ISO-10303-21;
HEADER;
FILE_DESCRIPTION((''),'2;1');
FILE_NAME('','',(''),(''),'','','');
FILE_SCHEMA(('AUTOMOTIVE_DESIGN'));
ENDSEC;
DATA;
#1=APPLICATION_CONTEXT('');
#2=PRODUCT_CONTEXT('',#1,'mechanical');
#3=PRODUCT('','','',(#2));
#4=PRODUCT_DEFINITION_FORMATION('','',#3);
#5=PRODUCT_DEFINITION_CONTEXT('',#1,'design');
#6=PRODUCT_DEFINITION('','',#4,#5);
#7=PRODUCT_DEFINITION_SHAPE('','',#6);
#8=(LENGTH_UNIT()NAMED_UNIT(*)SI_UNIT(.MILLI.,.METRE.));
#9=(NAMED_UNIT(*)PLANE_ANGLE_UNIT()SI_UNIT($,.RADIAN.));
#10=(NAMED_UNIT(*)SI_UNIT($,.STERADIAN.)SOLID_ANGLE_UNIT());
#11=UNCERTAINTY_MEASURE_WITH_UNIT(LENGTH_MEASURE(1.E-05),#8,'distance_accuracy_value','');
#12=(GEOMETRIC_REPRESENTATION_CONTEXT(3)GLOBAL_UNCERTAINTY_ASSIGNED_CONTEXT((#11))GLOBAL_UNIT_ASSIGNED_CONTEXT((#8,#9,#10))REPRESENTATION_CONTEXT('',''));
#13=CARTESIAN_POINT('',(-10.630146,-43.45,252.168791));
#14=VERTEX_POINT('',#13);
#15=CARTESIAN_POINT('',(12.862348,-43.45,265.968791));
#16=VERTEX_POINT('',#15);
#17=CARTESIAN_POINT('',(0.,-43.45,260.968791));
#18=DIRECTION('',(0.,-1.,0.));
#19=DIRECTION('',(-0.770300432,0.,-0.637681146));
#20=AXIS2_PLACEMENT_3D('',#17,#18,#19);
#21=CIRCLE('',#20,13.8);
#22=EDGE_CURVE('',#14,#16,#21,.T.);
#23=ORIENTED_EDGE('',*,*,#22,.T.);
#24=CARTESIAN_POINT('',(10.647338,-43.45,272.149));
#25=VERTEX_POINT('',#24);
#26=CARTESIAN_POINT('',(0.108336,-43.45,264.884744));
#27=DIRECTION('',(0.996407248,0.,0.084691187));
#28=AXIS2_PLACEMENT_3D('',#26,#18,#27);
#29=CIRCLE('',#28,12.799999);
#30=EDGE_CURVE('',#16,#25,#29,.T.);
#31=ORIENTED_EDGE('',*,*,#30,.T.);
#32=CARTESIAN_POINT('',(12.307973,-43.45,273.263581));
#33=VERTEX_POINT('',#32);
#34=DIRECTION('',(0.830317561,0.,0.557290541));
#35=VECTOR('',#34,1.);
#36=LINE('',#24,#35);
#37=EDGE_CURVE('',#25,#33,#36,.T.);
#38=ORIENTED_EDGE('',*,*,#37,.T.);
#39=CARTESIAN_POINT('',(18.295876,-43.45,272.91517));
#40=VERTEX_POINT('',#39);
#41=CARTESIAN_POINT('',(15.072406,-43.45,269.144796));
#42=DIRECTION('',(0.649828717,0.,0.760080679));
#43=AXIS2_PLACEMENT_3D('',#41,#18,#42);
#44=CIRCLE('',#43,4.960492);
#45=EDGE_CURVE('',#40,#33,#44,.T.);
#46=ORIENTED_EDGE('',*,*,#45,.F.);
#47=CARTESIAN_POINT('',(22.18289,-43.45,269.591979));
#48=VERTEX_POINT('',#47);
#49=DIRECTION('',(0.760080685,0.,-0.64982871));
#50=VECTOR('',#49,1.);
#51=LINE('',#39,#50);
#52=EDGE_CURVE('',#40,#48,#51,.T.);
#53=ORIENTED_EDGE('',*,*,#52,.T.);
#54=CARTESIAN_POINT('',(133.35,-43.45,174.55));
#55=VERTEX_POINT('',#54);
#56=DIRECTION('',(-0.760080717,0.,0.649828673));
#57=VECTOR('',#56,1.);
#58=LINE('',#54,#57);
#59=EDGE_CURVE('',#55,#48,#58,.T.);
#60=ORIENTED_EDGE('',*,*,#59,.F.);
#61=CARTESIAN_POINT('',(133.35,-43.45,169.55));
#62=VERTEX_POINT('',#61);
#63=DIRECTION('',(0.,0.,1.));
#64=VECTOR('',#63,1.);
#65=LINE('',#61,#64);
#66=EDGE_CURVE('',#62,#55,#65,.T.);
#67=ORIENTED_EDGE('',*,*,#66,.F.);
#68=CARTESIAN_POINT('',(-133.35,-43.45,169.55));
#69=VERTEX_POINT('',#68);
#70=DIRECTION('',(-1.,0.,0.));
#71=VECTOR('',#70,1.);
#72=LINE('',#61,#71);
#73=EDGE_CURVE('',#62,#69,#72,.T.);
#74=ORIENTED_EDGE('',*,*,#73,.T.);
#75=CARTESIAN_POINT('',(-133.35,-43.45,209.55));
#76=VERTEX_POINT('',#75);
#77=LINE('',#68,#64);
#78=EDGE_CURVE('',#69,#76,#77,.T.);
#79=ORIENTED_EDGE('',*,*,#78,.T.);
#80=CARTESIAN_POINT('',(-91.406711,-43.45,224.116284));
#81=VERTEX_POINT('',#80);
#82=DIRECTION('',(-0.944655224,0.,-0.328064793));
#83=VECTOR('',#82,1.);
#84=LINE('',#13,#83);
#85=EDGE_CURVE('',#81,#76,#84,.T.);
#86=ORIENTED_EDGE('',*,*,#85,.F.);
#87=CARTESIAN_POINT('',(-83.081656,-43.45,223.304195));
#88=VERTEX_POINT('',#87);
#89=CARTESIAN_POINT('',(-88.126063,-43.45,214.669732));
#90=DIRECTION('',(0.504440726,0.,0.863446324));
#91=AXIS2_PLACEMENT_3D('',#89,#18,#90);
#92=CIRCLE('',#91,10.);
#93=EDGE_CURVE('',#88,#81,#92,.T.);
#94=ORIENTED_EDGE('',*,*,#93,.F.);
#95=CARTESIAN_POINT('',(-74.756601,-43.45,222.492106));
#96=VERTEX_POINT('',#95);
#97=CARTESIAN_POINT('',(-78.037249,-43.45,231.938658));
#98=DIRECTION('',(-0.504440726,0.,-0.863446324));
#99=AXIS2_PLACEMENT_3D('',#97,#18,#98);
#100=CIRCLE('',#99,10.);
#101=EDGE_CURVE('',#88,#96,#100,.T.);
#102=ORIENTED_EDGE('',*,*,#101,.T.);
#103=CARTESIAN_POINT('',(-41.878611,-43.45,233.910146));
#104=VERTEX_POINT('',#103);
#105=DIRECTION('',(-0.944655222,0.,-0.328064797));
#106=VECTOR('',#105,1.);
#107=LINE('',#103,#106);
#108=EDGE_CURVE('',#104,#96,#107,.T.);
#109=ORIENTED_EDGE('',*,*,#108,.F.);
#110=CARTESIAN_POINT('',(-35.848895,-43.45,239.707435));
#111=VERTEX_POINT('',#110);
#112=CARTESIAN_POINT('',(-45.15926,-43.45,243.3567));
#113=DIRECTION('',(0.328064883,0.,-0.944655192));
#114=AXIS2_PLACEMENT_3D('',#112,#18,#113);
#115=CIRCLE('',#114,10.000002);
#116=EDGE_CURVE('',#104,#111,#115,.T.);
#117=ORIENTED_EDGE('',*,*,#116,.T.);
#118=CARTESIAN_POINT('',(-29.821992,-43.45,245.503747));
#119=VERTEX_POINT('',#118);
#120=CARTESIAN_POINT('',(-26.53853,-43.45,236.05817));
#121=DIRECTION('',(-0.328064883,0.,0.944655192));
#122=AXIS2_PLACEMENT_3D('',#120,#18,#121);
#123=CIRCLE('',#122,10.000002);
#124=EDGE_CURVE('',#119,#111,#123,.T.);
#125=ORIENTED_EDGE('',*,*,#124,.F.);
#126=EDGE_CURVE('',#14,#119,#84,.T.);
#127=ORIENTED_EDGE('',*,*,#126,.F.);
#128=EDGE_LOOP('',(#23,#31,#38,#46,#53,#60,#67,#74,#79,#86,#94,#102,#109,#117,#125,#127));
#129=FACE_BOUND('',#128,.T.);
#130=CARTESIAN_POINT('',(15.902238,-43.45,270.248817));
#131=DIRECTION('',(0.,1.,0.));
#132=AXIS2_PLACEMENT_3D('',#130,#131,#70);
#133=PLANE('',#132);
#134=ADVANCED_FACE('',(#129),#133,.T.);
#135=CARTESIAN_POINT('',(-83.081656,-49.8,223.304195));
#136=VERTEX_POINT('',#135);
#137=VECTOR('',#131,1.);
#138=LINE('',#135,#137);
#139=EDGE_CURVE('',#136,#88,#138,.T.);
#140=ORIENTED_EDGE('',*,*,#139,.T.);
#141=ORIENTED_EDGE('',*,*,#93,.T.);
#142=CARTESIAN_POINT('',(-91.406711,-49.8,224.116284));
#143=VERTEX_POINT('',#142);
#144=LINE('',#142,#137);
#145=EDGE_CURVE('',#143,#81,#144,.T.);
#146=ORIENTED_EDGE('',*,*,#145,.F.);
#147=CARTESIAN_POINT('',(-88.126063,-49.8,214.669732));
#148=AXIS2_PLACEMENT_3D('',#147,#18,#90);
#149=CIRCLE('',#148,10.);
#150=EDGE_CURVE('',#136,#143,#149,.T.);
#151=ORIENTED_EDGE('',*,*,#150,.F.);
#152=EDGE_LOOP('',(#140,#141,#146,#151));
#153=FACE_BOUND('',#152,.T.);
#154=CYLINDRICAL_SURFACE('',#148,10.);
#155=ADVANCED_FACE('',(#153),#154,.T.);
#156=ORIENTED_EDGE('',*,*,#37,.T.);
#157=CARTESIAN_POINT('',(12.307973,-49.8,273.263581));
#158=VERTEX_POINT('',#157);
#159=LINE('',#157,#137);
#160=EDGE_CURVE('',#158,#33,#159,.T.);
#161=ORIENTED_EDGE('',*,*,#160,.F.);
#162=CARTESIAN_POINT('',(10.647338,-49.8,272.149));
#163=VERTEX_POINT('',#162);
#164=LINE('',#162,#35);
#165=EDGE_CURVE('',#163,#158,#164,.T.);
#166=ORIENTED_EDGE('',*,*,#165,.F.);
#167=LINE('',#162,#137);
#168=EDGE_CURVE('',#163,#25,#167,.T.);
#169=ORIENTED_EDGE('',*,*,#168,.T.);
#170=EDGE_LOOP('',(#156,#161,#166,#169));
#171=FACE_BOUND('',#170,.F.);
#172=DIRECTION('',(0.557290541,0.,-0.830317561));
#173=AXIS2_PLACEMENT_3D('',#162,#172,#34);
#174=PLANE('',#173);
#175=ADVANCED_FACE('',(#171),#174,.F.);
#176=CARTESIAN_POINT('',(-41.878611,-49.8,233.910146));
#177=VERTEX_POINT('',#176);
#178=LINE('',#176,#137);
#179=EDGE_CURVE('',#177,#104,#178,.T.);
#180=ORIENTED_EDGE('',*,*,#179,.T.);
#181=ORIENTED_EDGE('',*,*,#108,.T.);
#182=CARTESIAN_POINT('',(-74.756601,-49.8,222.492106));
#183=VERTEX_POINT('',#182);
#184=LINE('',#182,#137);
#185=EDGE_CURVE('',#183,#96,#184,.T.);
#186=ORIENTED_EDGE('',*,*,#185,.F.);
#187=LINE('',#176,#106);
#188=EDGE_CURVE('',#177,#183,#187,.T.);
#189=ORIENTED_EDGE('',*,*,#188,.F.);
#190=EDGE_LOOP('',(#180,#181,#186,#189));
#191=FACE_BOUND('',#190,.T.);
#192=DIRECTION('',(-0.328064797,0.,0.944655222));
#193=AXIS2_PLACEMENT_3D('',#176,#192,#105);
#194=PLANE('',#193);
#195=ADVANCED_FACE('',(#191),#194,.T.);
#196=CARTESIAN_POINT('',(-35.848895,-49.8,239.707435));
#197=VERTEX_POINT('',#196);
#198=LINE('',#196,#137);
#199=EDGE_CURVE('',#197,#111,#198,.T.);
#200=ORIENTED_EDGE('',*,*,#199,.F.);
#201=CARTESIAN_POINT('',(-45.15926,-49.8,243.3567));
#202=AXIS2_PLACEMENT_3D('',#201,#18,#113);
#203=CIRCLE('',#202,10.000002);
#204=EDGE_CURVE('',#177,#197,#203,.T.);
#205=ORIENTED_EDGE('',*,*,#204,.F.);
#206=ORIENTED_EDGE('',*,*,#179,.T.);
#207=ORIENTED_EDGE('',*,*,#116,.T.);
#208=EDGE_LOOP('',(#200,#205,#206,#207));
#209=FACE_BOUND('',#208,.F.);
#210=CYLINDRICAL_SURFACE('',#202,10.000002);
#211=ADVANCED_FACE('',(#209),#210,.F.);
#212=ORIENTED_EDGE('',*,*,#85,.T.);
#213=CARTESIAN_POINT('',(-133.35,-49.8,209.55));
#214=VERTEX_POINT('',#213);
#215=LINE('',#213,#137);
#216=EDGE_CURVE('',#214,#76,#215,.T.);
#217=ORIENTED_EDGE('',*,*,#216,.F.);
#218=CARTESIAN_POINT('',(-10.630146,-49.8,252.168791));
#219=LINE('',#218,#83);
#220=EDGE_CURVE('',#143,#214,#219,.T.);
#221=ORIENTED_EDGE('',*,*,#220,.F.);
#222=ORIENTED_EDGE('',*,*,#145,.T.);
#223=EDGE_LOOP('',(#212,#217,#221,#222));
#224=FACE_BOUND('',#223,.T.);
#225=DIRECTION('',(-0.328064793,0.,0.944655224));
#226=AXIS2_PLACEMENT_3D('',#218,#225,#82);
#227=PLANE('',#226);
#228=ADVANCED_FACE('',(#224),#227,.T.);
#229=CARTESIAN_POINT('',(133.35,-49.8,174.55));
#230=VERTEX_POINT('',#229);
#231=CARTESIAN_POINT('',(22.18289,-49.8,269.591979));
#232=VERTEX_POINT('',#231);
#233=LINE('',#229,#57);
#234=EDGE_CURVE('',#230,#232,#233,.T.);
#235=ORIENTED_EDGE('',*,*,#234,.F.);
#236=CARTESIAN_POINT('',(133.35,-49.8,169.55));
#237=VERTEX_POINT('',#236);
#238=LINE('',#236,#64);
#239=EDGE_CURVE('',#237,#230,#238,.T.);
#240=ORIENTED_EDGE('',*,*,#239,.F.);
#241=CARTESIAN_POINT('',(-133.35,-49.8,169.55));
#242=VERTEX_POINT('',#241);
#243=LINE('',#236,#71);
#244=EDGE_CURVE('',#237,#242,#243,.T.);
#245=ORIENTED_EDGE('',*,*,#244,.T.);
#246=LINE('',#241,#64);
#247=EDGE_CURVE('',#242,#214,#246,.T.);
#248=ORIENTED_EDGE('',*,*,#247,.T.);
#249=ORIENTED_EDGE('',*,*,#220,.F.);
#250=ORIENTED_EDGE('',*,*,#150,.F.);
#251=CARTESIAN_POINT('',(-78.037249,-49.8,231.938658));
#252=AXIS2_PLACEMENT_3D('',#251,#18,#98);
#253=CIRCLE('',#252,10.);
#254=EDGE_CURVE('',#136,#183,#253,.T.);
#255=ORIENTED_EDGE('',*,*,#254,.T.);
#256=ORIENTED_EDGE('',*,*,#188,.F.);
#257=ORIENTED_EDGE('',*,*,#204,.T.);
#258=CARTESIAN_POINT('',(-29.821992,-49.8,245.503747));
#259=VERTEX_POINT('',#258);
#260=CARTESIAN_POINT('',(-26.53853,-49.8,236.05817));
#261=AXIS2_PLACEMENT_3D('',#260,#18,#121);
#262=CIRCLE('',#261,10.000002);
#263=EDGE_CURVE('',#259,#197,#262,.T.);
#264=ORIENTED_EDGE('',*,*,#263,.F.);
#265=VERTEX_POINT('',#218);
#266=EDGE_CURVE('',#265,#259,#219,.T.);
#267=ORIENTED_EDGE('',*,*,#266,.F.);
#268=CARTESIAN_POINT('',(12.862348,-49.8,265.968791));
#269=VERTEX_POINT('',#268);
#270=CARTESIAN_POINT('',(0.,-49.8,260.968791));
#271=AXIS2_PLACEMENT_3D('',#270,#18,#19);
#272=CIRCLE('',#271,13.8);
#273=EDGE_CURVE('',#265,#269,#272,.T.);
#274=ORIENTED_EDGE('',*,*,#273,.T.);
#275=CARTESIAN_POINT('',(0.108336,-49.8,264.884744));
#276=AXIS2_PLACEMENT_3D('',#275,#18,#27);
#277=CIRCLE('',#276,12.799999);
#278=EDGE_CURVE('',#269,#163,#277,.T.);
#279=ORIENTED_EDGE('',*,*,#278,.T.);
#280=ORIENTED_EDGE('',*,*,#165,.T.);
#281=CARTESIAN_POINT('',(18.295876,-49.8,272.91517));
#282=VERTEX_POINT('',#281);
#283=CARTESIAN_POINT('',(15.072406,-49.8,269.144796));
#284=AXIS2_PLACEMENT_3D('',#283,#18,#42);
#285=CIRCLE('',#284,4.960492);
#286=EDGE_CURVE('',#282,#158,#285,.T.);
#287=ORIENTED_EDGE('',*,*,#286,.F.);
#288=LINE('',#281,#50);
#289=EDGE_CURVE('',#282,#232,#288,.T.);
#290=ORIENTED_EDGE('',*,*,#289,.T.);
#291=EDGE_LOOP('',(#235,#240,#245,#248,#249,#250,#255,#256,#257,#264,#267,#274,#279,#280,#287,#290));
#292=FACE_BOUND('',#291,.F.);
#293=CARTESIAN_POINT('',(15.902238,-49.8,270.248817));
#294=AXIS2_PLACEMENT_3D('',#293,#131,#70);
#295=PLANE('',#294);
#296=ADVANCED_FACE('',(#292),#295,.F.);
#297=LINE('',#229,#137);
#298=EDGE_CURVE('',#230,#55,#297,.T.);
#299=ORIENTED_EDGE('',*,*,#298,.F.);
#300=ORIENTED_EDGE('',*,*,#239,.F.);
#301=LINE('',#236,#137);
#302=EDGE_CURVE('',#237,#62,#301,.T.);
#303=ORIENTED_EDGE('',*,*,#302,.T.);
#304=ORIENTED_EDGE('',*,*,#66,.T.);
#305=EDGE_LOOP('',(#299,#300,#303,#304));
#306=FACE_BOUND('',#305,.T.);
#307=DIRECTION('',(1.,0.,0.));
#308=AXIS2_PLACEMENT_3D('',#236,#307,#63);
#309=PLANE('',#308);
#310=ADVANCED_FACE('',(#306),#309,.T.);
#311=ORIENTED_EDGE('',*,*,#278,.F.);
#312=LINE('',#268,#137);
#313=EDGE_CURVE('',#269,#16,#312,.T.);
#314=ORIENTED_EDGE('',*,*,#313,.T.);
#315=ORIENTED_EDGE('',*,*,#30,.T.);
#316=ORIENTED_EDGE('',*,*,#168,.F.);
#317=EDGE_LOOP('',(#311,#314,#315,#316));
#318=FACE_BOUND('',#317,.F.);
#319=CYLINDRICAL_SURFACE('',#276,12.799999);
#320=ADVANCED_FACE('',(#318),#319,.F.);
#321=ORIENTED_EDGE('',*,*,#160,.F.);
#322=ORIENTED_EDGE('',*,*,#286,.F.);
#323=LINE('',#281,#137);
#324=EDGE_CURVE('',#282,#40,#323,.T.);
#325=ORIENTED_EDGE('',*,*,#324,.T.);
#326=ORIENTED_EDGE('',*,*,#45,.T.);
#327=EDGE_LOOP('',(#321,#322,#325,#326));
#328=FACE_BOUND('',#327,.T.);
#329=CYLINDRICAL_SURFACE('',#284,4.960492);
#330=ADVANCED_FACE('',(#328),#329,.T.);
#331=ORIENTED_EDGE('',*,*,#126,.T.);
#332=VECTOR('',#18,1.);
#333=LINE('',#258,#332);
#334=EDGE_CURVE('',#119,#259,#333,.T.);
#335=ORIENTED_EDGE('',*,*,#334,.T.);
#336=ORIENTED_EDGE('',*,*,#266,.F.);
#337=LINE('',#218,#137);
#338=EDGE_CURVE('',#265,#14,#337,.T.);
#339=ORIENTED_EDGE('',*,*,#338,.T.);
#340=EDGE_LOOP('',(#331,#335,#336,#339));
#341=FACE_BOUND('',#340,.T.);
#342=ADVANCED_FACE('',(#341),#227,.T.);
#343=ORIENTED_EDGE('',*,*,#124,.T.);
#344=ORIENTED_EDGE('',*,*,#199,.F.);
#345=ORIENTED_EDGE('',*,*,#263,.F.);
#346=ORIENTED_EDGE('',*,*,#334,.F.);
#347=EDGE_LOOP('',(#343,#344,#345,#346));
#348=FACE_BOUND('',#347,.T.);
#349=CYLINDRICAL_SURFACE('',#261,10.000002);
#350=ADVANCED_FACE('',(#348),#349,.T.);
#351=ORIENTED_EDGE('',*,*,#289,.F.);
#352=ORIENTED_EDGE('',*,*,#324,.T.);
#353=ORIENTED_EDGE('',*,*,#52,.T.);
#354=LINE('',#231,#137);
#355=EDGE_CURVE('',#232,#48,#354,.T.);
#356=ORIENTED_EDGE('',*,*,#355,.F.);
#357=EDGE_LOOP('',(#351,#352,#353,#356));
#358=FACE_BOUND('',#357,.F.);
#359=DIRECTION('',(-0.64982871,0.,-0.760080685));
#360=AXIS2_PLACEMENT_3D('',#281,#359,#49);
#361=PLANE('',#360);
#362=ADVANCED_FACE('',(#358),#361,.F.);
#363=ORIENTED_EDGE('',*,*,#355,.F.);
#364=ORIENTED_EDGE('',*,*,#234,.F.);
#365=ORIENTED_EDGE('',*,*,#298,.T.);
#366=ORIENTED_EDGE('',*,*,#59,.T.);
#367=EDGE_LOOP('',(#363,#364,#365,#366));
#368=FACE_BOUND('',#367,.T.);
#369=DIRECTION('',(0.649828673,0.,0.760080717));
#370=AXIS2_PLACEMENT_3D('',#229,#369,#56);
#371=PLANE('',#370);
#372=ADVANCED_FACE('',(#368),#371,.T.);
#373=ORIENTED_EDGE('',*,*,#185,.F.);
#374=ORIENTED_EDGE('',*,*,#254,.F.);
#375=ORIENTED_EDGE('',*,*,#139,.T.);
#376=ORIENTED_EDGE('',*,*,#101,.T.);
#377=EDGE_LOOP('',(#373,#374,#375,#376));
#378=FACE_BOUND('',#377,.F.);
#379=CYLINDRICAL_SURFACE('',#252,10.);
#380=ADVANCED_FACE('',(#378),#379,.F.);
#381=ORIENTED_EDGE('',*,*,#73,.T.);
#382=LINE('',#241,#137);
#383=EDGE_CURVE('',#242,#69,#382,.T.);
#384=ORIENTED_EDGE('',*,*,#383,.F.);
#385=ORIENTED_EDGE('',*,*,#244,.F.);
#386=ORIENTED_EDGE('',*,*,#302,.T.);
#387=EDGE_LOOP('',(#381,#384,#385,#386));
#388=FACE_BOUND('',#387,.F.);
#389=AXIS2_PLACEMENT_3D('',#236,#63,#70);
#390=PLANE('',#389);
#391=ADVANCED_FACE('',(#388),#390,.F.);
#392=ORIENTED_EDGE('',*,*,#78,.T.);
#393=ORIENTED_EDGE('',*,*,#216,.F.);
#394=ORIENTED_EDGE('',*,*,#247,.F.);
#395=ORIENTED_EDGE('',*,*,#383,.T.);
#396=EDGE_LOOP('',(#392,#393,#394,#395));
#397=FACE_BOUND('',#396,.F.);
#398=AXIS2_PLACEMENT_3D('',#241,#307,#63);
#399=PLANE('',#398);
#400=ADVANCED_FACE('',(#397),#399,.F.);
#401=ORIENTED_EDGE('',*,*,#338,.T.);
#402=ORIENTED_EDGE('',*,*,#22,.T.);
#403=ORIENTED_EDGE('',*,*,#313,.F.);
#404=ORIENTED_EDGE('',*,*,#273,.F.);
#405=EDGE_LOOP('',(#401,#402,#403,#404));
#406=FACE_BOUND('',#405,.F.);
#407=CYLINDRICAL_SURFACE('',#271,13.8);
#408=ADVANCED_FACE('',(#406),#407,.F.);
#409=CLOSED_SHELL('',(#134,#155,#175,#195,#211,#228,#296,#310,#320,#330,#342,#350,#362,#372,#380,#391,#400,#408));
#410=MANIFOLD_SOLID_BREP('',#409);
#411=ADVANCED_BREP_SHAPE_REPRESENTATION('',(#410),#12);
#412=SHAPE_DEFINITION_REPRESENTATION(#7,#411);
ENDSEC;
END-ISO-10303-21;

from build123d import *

# Parameters (mm, degrees)
PAD005_DEPTH    = 6.35
SKETCH014_W     = 3.141259
SKETCH014_H     = 4.397751
PAD011_DEPTH    = 6.35
SKETCH015_W     = 9.97554
SKETCH015_H     = 9.591858
PAD012_DEPTH    = 6.35
POCKET001_DEPTH = 6.35
PAD016_DEPTH    = 6.35


with BuildPart() as part:
    # Sketch006 (on Face1 of ShapeBinder007) → Pad005 (new body)
    with BuildSketch(Plane.XZ.offset(49.8)):
        with BuildLine():
            Line((133.35, 169.55), (-133.35, 169.55))
            Line((-133.35, 169.55), (-133.35, 209.55))
            Line((-10.630146, 252.168791), (-133.35, 209.55))
            ThreePointArc((-10.630146, 252.168791), (6.989684, 249.06987), (12.862348, 265.968791))
            Line((12.862348, 265.968791), (22.18289, 269.591979))
            Line((133.35, 174.55), (22.18289, 269.591979))
            Line((133.35, 169.55), (133.35, 174.55))
        make_face()
    extrude(amount=-PAD005_DEPTH)

    # Sketch014 (on Face8 of Pad005) → Pad011 (join)
    with BuildSketch(Plane.XZ.offset(49.8)):
        with Locations((-75.779384, 200.48986)):
            Rectangle(SKETCH014_W, SKETCH014_H)
    extrude(amount=-PAD011_DEPTH)

    # Sketch015 (on Face8 of Pad011) → Pad012 (join)
    with BuildSketch(Plane.XZ.offset(49.8)):
        with Locations((45.684311, 201.652512)):
            Rectangle(SKETCH015_W, SKETCH015_H)
    extrude(amount=-PAD012_DEPTH)

    # Sketch050 (on Face8 of Pad012) → Pocket001 (cut)
    with BuildSketch(Plane.XZ.offset(49.8)):
        with BuildLine():
            ThreePointArc((-83.081656, 223.304195), (-87.155196, 224.622491), (-91.406711, 224.116284))
            Line((-91.406711, 224.116284), (-93.047035, 228.83956))
            Line((-93.047035, 228.83956), (-31.459503, 250.228))
            Line((-31.459503, 250.228), (-29.819179, 245.504724))
            ThreePointArc((-29.819179, 245.504724), (-33.469298, 243.26681), (-35.848895, 239.707435))
            ThreePointArc((-41.878611, 233.910146), (-38.228492, 236.14806), (-35.848895, 239.707435))
            Line((-41.878611, 233.910146), (-74.756601, 222.492106))
            ThreePointArc((-83.081656, 223.304195), (-79.008116, 221.985899), (-74.756601, 222.492106))
        make_face()
    extrude(amount=-POCKET001_DEPTH, mode=Mode.SUBTRACT)

    # Sketch051 (on Face4 of Pocket001) → Pad016 (join)
    with BuildSketch(Plane.XZ.offset(49.8)):
        with BuildLine():
            ThreePointArc((12.862348, 265.968791), (12.157812, 269.203321), (10.647338, 272.149))
            Line((10.647338, 272.149), (12.307973, 273.263581))
            ThreePointArc((18.295876, 272.91517), (15.360549, 274.096912), (12.307973, 273.263581))
            Line((18.295876, 272.91517), (22.18289, 269.591979))
            Line((22.18289, 269.591979), (12.862348, 265.968791))
        make_face()
    extrude(amount=-PAD016_DEPTH)


solid = part.part
